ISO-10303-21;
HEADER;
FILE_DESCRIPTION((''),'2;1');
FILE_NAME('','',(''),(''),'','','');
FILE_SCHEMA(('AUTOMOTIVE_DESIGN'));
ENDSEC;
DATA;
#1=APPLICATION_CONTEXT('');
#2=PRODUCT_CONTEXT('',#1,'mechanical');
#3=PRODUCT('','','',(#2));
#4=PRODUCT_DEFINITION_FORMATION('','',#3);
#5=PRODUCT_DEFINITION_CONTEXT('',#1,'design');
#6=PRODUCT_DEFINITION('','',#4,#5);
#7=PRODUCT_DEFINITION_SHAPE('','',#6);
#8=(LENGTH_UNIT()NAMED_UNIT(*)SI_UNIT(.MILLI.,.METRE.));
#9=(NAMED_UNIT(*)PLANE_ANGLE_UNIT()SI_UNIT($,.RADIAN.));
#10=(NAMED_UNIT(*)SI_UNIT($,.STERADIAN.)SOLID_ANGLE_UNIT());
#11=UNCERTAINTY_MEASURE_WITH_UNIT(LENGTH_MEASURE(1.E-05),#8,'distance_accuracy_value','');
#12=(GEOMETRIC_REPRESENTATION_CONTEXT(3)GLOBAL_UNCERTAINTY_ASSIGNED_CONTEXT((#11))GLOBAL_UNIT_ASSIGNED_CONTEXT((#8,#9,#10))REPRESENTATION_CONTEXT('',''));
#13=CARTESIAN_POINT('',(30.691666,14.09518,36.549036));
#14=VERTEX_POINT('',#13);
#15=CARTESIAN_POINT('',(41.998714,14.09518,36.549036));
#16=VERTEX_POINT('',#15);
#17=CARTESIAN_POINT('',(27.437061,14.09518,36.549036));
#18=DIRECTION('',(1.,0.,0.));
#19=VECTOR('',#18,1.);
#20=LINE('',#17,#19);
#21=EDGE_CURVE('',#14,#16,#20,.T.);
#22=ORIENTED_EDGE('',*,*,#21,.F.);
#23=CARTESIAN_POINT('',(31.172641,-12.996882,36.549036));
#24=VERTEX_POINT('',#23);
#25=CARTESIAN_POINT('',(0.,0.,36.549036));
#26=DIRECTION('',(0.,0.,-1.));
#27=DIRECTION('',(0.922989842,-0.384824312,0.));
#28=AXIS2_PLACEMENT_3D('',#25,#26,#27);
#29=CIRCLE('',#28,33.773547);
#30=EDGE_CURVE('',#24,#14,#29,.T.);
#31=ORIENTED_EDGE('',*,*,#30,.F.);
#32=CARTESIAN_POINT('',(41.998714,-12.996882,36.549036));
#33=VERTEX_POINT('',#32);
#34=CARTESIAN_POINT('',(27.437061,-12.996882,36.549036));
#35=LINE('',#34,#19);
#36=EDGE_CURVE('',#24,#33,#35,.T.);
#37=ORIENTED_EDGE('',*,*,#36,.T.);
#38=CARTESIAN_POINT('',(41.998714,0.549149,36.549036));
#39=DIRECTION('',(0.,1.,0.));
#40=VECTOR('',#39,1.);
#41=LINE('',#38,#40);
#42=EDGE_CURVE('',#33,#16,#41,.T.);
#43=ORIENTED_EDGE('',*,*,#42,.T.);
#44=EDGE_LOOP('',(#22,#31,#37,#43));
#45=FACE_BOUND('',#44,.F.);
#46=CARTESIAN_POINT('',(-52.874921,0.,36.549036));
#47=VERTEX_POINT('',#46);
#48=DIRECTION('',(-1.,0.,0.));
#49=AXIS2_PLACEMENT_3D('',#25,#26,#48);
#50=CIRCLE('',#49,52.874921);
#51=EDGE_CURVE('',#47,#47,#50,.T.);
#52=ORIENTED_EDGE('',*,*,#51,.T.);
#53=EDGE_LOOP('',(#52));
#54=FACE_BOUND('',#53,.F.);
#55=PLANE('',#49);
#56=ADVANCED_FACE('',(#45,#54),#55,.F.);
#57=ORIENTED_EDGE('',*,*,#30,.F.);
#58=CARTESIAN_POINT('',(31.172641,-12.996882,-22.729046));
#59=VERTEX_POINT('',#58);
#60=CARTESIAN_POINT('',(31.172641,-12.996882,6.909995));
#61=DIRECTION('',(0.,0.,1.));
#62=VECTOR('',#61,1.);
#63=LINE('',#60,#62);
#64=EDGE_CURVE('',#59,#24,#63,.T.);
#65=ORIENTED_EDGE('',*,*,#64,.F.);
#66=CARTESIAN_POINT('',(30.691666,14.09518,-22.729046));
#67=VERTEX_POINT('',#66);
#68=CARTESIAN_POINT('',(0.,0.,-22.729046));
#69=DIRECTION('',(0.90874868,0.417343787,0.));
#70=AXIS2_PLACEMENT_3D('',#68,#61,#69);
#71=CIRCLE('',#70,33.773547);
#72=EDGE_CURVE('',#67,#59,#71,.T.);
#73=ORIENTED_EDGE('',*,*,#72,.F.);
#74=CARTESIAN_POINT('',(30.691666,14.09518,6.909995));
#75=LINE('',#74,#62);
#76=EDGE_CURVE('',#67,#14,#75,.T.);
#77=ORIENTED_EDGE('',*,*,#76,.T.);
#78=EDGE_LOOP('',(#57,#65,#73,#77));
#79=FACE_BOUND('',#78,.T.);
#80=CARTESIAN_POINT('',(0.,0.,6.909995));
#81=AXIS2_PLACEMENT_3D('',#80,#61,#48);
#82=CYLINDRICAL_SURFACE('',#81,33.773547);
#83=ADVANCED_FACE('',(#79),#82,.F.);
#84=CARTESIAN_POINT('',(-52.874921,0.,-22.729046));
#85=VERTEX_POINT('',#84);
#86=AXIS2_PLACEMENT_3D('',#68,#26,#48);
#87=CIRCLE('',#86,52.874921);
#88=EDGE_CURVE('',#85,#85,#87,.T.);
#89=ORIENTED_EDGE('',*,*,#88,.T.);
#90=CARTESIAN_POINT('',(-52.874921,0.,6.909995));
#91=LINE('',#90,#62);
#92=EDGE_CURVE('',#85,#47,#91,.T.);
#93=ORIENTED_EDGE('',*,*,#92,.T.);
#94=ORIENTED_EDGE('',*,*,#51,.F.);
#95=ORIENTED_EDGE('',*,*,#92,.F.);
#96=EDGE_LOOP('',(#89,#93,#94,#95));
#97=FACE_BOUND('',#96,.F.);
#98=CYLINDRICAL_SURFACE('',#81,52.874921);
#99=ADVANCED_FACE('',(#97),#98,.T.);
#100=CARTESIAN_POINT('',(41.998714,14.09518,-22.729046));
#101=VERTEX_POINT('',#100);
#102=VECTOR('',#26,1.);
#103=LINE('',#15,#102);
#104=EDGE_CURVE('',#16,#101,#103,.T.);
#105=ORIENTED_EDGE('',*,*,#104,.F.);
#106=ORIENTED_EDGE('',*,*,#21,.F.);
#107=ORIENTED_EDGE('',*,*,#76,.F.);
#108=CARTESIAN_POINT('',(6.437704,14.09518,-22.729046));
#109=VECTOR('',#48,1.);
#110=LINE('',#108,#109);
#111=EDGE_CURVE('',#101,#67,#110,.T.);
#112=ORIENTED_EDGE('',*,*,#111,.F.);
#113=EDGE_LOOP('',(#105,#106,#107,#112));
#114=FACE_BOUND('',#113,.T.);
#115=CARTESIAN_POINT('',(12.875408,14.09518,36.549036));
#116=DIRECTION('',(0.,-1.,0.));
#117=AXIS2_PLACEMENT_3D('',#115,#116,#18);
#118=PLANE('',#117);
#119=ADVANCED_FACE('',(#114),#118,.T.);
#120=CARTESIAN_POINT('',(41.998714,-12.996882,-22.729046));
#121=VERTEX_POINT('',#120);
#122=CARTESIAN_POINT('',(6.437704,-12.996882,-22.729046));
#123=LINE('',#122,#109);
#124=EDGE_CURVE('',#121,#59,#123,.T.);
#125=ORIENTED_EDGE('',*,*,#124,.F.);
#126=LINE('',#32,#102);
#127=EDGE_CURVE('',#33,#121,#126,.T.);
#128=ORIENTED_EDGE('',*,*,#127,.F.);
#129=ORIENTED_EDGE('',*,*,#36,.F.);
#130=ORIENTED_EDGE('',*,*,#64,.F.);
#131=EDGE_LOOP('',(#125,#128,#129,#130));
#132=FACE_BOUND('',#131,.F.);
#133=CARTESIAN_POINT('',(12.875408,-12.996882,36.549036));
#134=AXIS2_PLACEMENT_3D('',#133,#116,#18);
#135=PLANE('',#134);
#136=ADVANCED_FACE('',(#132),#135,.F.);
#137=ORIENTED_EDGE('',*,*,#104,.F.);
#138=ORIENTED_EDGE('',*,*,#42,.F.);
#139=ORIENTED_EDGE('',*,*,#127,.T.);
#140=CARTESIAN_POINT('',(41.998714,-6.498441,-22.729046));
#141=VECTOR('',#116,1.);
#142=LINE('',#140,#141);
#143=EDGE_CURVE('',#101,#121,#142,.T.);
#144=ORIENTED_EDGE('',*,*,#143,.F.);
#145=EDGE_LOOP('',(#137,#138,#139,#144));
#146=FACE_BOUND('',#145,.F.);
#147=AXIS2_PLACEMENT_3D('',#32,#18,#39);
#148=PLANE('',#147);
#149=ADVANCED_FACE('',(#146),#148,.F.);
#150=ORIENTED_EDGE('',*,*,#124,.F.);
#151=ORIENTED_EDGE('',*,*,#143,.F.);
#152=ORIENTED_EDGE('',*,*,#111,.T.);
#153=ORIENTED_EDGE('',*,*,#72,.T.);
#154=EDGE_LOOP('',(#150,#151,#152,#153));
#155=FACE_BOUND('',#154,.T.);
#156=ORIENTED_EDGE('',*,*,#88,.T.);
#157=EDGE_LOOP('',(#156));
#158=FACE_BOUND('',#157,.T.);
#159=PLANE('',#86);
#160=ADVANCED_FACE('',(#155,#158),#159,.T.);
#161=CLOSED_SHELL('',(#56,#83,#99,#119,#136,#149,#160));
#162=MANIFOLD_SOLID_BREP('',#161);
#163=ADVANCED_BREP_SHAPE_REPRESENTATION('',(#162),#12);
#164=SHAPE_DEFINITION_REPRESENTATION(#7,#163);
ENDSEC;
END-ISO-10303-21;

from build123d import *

# Parameters (mm, degrees)
F1_W     = 19.101374
F1_H     = 59.278082
F3_W     = 29.123306
F3_H     = 27.092062
F4_DEPTH = 76.2
F5_R     = 12.7
F6_DEPTH = 12.7


with BuildPart() as f2:
    # F1 (on Front) → F2 (revolve)
    with BuildSketch(Plane.XZ):
        with Locations((-43.324234, 6.909995)):
            Rectangle(F1_W, F1_H)
    revolve(axis=Axis((0, 0, -2.969272), (0, 0, -1)))

    # F3 (on face) → F4 (cut)
    with BuildSketch(Plane.XY.offset(36.549036)):
        with Locations((27.437061, 0.549149)):
            Rectangle(F3_W, F3_H)
    extrude(amount=-F4_DEPTH, mode=Mode.SUBTRACT)

    # F5 (on Front) → F6 (cut, symmetric)
    with BuildSketch(Plane.XZ):
        Circle(F5_R)
    extrude(amount=F6_DEPTH, both=True, mode=Mode.SUBTRACT)


solid = f2.part
